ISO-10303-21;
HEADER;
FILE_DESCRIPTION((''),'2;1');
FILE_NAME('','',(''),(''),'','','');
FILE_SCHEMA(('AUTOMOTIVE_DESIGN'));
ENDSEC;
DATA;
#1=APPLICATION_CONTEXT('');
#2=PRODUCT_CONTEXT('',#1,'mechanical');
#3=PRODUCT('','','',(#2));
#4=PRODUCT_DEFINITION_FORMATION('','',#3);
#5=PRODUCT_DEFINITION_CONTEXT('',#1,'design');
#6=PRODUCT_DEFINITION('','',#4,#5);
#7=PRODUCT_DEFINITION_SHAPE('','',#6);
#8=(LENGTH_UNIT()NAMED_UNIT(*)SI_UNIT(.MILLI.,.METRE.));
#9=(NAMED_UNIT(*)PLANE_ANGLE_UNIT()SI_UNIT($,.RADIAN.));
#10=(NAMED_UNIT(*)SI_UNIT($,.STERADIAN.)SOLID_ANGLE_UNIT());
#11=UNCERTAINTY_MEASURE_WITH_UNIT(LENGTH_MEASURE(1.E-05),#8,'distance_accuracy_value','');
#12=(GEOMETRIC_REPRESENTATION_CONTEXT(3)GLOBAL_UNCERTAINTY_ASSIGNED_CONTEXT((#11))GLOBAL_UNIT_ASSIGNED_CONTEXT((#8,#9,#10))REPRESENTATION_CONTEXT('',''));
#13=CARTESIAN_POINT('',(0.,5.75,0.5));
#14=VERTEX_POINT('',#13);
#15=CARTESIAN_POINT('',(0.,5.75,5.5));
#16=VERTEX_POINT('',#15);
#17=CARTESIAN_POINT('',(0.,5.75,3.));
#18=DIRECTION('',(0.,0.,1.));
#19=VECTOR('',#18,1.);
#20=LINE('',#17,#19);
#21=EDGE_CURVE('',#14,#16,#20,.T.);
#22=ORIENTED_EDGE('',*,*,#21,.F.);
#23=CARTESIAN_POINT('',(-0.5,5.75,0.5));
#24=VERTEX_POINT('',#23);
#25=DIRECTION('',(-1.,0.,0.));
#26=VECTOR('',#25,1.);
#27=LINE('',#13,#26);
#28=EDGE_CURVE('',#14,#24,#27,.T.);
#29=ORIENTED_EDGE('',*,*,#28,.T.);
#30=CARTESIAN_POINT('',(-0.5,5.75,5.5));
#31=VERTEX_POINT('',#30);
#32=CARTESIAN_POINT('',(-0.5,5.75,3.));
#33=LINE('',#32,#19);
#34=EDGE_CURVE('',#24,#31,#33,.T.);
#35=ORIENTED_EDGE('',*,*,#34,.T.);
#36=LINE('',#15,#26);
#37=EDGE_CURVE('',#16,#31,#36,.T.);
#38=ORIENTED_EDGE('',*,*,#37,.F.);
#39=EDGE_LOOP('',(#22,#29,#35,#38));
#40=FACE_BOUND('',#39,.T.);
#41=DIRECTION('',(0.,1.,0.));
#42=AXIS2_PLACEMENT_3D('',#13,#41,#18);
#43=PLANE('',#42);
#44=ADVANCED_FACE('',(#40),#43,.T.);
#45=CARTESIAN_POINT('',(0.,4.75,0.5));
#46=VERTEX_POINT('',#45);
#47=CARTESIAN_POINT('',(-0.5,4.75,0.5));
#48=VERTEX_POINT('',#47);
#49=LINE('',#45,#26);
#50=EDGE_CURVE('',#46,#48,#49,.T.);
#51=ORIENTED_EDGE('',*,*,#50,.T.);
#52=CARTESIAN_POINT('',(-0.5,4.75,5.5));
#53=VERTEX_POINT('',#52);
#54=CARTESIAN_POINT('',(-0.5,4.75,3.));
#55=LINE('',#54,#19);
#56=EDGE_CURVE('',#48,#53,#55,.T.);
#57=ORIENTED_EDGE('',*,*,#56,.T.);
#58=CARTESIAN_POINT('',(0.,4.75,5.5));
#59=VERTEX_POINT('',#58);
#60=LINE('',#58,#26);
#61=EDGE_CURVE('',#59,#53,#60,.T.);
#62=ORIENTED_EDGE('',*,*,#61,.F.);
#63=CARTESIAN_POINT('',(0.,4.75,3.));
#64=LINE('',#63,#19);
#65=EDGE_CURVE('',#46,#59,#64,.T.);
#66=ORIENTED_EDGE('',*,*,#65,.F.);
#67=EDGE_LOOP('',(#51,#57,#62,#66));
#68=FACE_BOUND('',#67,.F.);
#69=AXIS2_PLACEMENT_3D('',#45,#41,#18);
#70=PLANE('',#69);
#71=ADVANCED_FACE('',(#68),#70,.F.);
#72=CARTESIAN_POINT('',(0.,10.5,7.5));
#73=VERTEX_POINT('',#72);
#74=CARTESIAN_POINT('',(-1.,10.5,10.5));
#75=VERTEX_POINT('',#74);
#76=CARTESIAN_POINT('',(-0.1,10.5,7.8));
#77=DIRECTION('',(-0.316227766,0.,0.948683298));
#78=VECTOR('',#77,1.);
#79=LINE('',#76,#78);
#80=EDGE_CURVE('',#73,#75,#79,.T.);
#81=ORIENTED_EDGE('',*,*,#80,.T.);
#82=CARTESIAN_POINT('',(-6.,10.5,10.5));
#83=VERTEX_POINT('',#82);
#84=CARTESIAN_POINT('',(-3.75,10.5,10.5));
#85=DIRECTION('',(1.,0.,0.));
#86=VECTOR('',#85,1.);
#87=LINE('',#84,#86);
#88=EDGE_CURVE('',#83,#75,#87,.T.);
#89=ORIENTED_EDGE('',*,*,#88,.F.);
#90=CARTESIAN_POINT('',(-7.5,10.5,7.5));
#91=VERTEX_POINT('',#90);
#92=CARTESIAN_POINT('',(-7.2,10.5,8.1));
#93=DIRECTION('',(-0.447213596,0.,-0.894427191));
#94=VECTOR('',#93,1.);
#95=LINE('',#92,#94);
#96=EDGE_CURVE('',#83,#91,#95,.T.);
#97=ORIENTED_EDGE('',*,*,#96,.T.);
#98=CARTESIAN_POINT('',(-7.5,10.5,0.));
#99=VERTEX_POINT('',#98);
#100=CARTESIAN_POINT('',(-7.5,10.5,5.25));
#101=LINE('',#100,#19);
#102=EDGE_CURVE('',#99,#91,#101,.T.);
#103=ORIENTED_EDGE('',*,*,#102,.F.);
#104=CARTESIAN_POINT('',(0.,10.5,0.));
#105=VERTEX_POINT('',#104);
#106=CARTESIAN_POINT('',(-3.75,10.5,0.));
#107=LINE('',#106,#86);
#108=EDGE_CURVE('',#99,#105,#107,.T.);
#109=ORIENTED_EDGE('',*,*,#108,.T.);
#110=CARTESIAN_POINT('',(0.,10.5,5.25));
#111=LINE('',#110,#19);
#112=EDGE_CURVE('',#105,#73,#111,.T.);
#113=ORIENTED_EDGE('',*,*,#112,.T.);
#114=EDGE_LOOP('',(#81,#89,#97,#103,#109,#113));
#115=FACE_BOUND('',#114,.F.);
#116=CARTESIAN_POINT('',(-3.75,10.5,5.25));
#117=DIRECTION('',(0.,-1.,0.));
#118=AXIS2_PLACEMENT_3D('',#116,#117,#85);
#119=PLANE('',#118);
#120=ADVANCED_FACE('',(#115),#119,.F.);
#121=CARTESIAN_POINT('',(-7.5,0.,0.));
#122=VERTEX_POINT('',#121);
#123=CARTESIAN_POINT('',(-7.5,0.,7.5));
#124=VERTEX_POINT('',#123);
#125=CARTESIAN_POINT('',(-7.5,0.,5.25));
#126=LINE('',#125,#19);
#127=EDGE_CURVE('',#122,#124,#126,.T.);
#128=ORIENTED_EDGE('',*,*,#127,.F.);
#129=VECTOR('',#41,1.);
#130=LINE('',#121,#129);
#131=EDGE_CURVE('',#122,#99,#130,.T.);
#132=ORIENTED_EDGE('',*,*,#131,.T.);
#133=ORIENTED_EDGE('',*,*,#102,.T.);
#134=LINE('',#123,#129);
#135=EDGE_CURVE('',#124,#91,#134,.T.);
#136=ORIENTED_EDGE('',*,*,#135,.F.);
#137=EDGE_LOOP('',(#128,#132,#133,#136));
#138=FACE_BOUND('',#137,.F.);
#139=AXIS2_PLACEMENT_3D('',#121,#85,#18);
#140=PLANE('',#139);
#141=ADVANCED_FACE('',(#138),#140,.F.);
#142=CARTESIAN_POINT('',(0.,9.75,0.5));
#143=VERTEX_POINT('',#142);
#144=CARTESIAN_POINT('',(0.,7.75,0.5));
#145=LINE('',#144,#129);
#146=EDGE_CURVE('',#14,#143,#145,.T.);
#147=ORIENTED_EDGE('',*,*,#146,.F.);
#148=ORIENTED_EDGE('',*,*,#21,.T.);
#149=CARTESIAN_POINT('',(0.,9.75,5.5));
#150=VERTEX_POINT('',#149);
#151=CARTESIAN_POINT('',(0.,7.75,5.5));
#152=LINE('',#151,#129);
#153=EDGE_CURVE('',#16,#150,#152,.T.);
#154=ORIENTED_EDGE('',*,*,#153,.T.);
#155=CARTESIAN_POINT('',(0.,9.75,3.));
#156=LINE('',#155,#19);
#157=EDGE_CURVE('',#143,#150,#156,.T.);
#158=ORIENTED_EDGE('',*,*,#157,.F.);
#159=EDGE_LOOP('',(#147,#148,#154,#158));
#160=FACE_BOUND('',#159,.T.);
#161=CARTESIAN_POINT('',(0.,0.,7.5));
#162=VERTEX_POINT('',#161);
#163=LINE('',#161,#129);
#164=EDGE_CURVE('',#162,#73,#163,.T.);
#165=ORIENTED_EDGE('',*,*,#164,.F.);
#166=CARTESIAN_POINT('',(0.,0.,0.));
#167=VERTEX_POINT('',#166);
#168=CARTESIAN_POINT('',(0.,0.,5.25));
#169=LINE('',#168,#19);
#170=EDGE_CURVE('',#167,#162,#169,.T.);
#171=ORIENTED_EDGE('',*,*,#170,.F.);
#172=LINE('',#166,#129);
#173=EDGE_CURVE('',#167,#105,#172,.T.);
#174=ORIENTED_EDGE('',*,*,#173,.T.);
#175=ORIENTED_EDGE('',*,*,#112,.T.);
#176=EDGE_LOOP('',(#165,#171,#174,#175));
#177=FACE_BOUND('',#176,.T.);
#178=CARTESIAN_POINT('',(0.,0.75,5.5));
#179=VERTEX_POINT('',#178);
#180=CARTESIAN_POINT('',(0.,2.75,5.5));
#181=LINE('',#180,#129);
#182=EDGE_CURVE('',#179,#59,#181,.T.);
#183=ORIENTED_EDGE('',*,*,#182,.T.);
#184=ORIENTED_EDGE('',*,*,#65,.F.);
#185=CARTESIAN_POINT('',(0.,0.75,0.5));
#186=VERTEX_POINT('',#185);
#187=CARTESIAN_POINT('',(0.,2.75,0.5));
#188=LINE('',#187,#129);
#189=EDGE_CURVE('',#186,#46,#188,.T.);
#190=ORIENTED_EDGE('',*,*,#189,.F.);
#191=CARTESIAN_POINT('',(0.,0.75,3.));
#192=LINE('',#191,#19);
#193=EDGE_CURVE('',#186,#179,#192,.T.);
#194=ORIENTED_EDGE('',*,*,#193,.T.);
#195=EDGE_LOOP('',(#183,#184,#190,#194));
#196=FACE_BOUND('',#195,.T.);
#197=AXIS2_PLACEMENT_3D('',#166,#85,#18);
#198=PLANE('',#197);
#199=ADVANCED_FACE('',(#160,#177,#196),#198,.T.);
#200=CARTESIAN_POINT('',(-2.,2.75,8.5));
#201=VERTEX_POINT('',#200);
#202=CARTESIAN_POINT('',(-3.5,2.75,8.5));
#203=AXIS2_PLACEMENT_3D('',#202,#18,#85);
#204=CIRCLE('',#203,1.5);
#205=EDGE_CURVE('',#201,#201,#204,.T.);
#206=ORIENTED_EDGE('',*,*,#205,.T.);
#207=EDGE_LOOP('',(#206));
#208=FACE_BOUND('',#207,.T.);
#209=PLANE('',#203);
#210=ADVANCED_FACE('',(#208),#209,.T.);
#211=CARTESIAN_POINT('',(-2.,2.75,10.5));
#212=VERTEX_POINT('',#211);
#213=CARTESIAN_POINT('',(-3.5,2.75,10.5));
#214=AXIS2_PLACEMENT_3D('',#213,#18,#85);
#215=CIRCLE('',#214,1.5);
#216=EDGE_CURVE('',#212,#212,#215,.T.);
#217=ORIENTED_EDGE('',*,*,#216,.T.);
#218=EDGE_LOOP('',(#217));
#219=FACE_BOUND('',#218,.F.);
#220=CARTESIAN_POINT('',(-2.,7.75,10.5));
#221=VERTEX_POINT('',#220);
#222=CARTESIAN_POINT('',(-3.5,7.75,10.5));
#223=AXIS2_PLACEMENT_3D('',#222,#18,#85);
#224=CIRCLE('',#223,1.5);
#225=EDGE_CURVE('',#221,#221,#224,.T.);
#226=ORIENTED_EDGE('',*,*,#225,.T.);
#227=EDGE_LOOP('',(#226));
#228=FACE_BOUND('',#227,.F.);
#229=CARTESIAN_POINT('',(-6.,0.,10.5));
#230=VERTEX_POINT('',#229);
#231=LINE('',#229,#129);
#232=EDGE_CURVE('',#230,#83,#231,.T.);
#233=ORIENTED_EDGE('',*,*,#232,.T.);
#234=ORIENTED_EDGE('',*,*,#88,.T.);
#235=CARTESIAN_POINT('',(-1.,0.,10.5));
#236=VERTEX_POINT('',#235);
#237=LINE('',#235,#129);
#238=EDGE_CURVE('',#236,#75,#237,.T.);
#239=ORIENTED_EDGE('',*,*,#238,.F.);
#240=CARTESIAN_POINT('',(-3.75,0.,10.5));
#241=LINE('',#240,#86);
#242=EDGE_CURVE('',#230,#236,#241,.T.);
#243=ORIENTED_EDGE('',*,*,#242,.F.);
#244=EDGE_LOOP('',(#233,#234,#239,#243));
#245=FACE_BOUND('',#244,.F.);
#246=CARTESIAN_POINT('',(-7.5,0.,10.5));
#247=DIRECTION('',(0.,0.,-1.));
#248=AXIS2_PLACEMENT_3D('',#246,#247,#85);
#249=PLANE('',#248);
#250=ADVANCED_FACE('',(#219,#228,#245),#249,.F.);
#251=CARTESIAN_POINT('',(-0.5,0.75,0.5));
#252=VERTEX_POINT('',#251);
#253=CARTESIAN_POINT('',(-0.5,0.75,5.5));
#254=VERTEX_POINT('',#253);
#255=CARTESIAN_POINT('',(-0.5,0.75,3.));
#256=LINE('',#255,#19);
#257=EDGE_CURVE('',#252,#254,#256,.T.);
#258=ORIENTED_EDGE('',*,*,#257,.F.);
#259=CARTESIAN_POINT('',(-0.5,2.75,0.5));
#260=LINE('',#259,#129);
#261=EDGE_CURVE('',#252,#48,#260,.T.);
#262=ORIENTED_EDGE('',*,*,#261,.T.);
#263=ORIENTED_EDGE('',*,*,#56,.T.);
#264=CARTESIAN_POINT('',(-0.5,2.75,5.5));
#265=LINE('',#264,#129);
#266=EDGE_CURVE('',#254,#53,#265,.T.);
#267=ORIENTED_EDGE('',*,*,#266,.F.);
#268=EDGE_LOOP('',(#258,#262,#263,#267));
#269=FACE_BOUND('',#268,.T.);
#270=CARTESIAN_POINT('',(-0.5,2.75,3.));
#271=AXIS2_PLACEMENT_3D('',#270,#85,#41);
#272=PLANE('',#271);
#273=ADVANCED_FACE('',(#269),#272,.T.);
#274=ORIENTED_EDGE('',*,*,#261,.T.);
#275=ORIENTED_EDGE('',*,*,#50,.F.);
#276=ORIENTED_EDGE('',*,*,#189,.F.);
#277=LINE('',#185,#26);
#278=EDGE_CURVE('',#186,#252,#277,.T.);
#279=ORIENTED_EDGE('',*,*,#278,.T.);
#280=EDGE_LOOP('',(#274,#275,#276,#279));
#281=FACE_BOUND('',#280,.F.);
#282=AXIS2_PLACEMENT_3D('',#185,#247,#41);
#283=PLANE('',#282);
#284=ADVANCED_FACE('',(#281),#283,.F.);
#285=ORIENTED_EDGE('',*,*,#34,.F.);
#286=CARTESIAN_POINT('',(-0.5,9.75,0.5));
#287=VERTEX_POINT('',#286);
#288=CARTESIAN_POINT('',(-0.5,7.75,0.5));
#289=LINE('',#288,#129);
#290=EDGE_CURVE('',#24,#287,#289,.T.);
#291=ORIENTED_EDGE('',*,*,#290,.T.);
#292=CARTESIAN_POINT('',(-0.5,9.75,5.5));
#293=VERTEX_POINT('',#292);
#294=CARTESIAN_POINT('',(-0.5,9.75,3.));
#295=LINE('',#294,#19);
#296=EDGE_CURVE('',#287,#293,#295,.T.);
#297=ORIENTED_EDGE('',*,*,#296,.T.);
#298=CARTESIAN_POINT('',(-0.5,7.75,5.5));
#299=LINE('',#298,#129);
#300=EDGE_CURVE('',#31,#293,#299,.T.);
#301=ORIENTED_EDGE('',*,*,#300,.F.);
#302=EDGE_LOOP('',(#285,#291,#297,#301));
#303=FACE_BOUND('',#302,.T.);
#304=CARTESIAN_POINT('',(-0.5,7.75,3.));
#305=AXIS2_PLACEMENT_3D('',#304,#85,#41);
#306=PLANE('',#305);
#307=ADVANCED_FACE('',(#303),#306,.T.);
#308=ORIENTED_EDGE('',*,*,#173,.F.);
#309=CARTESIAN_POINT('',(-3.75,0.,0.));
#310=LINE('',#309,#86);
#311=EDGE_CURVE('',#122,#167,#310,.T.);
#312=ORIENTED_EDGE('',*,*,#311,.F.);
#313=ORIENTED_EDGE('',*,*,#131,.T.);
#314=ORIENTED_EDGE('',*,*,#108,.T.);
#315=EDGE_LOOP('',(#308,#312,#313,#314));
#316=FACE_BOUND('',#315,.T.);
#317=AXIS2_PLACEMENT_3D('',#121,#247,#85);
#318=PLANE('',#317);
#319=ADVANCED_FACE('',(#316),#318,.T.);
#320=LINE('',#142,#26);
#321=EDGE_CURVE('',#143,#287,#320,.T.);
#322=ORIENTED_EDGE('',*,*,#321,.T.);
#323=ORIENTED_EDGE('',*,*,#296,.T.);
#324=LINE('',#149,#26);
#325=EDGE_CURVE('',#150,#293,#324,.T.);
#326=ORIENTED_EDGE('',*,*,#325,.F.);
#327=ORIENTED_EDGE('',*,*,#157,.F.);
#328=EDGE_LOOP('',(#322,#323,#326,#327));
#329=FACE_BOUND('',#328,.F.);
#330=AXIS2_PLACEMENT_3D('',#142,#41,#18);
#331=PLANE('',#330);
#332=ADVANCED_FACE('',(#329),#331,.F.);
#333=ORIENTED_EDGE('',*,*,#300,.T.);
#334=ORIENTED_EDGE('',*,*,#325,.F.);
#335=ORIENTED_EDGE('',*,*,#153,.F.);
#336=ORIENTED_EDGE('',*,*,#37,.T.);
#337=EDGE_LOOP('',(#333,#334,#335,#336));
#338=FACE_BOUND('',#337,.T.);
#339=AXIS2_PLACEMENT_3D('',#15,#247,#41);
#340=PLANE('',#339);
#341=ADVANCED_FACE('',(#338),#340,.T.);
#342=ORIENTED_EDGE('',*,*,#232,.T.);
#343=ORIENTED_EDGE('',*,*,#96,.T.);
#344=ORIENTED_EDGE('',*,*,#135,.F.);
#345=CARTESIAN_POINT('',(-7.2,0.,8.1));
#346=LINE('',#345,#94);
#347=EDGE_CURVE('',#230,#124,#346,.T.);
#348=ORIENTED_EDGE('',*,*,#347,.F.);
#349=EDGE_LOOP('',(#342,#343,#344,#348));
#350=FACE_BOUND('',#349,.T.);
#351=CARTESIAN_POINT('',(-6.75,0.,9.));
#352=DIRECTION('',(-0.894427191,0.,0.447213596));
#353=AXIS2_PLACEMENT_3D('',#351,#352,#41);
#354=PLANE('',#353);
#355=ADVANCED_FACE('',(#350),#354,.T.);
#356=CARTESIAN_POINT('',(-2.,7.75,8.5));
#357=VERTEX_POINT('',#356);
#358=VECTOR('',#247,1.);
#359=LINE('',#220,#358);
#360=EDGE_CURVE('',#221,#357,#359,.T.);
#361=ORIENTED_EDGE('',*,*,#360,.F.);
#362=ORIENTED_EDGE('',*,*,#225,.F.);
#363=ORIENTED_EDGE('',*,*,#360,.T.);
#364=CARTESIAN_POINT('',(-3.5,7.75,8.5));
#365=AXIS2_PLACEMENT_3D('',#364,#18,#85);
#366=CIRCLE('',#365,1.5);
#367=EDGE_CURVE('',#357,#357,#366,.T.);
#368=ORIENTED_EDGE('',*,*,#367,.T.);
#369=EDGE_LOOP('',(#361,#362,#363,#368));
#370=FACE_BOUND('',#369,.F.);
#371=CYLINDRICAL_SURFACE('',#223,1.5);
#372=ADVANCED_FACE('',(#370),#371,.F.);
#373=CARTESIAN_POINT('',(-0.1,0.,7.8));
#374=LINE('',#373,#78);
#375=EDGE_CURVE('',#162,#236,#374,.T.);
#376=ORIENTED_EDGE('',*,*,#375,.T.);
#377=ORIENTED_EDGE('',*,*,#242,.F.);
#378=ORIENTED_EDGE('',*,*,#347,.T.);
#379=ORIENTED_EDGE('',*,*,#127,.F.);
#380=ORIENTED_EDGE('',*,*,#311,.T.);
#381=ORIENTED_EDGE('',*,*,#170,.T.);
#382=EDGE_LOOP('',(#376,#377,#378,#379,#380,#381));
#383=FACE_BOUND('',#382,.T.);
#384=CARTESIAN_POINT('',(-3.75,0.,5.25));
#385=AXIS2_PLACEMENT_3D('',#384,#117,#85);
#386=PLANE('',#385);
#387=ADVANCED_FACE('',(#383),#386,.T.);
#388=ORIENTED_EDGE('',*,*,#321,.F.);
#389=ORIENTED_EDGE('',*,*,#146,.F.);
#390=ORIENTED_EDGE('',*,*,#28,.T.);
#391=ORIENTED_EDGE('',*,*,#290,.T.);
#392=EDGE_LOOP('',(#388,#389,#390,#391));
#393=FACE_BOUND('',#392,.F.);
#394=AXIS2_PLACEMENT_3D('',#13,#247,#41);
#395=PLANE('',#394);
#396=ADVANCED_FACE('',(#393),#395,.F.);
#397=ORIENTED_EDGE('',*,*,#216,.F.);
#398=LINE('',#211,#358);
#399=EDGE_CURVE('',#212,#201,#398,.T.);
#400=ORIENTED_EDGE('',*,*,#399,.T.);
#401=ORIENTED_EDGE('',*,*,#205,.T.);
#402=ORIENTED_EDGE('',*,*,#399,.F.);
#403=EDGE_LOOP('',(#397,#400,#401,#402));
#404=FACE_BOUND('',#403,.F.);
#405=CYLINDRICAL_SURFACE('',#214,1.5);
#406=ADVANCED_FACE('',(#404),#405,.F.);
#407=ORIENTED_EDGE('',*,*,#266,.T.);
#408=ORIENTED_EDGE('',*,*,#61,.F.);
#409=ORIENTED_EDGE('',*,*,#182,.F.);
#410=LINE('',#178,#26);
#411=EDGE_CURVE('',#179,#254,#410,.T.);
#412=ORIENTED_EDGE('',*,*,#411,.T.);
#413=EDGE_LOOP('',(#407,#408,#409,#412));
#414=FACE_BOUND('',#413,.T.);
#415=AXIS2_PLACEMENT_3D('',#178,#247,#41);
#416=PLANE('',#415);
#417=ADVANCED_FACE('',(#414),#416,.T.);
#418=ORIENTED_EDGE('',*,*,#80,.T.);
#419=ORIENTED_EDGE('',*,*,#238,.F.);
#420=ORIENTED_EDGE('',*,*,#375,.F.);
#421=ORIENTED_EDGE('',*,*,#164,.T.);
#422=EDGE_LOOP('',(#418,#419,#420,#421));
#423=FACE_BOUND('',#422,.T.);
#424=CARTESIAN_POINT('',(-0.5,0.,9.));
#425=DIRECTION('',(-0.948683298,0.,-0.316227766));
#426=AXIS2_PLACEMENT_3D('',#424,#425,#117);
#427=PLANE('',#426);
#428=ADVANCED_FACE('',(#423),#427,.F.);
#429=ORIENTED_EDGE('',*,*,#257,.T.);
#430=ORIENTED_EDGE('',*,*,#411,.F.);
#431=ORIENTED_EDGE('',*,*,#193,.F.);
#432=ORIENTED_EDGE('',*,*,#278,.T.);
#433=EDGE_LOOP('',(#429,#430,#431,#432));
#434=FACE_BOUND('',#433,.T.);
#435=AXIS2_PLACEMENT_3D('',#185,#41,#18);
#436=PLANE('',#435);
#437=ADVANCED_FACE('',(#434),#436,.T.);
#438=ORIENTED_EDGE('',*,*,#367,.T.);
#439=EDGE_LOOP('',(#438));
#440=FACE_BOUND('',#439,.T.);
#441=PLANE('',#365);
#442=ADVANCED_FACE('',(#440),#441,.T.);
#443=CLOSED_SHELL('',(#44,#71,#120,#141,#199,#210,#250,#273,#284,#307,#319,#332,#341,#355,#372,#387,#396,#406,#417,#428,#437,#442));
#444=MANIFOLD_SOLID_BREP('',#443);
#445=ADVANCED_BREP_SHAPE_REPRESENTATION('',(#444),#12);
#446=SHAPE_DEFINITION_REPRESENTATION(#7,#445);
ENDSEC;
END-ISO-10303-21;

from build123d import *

# Parameters (mm, degrees)
F0_W     = 7.5
F0_H     = 10.5
F1_DEPTH = 10.5
F2_SIZE2 = 3
F2_SIZE  = 1.5
F3_SIZE2 = 1
F3_SIZE  = 3
F4_R     = 1.5
F5_DEPTH = 2
F6_W     = 4
F6_H     = 5
F7_DEPTH = 0.5


with BuildPart() as f1:
    # F0 (on Front) → F1 (new body)
    with BuildSketch(Plane.XZ):
        with Locations((-3.75, 5.25)):
            Rectangle(F0_W, F0_H)
    extrude(amount=-F1_DEPTH)

    # F2
    f2_edges = [f1.edges().sort_by_distance(p)[0] for p in [
        (-7.5, 5.25, 10.5),
    ]]
    f2_side = f1.faces().sort_by_distance((-3.75, 5.25, 10.5))[0]
    chamfer(f2_edges, length=F2_SIZE, length2=F2_SIZE2, reference=f2_side)

    # F3
    f3_edges = [f1.edges().sort_by_distance(p)[0] for p in [
        (0, 5.25, 10.5),
    ]]
    f3_side = f1.faces().sort_by_distance((0, 5.25, 5.25))[0]
    chamfer(f3_edges, length=F3_SIZE, length2=F3_SIZE2, reference=f3_side)

    # F4 (on face) → F5 (cut)
    with BuildSketch(Plane.XY.offset(10.5)):
        with Locations((-3.5, 2.75)):
            Circle(F4_R)
        with Locations((-3.5, 7.75)):
            Circle(F4_R)
    extrude(amount=-F5_DEPTH, mode=Mode.SUBTRACT)

    # F6 (on face) → F7 (cut)
    with BuildSketch(Plane.YZ):
        with Locations((2.75, 3)):
            Rectangle(F6_W, F6_H)
        with Locations((7.75, 3)):
            Rectangle(F6_W, F6_H)
    extrude(amount=-F7_DEPTH, mode=Mode.SUBTRACT)


solid = f1.part
